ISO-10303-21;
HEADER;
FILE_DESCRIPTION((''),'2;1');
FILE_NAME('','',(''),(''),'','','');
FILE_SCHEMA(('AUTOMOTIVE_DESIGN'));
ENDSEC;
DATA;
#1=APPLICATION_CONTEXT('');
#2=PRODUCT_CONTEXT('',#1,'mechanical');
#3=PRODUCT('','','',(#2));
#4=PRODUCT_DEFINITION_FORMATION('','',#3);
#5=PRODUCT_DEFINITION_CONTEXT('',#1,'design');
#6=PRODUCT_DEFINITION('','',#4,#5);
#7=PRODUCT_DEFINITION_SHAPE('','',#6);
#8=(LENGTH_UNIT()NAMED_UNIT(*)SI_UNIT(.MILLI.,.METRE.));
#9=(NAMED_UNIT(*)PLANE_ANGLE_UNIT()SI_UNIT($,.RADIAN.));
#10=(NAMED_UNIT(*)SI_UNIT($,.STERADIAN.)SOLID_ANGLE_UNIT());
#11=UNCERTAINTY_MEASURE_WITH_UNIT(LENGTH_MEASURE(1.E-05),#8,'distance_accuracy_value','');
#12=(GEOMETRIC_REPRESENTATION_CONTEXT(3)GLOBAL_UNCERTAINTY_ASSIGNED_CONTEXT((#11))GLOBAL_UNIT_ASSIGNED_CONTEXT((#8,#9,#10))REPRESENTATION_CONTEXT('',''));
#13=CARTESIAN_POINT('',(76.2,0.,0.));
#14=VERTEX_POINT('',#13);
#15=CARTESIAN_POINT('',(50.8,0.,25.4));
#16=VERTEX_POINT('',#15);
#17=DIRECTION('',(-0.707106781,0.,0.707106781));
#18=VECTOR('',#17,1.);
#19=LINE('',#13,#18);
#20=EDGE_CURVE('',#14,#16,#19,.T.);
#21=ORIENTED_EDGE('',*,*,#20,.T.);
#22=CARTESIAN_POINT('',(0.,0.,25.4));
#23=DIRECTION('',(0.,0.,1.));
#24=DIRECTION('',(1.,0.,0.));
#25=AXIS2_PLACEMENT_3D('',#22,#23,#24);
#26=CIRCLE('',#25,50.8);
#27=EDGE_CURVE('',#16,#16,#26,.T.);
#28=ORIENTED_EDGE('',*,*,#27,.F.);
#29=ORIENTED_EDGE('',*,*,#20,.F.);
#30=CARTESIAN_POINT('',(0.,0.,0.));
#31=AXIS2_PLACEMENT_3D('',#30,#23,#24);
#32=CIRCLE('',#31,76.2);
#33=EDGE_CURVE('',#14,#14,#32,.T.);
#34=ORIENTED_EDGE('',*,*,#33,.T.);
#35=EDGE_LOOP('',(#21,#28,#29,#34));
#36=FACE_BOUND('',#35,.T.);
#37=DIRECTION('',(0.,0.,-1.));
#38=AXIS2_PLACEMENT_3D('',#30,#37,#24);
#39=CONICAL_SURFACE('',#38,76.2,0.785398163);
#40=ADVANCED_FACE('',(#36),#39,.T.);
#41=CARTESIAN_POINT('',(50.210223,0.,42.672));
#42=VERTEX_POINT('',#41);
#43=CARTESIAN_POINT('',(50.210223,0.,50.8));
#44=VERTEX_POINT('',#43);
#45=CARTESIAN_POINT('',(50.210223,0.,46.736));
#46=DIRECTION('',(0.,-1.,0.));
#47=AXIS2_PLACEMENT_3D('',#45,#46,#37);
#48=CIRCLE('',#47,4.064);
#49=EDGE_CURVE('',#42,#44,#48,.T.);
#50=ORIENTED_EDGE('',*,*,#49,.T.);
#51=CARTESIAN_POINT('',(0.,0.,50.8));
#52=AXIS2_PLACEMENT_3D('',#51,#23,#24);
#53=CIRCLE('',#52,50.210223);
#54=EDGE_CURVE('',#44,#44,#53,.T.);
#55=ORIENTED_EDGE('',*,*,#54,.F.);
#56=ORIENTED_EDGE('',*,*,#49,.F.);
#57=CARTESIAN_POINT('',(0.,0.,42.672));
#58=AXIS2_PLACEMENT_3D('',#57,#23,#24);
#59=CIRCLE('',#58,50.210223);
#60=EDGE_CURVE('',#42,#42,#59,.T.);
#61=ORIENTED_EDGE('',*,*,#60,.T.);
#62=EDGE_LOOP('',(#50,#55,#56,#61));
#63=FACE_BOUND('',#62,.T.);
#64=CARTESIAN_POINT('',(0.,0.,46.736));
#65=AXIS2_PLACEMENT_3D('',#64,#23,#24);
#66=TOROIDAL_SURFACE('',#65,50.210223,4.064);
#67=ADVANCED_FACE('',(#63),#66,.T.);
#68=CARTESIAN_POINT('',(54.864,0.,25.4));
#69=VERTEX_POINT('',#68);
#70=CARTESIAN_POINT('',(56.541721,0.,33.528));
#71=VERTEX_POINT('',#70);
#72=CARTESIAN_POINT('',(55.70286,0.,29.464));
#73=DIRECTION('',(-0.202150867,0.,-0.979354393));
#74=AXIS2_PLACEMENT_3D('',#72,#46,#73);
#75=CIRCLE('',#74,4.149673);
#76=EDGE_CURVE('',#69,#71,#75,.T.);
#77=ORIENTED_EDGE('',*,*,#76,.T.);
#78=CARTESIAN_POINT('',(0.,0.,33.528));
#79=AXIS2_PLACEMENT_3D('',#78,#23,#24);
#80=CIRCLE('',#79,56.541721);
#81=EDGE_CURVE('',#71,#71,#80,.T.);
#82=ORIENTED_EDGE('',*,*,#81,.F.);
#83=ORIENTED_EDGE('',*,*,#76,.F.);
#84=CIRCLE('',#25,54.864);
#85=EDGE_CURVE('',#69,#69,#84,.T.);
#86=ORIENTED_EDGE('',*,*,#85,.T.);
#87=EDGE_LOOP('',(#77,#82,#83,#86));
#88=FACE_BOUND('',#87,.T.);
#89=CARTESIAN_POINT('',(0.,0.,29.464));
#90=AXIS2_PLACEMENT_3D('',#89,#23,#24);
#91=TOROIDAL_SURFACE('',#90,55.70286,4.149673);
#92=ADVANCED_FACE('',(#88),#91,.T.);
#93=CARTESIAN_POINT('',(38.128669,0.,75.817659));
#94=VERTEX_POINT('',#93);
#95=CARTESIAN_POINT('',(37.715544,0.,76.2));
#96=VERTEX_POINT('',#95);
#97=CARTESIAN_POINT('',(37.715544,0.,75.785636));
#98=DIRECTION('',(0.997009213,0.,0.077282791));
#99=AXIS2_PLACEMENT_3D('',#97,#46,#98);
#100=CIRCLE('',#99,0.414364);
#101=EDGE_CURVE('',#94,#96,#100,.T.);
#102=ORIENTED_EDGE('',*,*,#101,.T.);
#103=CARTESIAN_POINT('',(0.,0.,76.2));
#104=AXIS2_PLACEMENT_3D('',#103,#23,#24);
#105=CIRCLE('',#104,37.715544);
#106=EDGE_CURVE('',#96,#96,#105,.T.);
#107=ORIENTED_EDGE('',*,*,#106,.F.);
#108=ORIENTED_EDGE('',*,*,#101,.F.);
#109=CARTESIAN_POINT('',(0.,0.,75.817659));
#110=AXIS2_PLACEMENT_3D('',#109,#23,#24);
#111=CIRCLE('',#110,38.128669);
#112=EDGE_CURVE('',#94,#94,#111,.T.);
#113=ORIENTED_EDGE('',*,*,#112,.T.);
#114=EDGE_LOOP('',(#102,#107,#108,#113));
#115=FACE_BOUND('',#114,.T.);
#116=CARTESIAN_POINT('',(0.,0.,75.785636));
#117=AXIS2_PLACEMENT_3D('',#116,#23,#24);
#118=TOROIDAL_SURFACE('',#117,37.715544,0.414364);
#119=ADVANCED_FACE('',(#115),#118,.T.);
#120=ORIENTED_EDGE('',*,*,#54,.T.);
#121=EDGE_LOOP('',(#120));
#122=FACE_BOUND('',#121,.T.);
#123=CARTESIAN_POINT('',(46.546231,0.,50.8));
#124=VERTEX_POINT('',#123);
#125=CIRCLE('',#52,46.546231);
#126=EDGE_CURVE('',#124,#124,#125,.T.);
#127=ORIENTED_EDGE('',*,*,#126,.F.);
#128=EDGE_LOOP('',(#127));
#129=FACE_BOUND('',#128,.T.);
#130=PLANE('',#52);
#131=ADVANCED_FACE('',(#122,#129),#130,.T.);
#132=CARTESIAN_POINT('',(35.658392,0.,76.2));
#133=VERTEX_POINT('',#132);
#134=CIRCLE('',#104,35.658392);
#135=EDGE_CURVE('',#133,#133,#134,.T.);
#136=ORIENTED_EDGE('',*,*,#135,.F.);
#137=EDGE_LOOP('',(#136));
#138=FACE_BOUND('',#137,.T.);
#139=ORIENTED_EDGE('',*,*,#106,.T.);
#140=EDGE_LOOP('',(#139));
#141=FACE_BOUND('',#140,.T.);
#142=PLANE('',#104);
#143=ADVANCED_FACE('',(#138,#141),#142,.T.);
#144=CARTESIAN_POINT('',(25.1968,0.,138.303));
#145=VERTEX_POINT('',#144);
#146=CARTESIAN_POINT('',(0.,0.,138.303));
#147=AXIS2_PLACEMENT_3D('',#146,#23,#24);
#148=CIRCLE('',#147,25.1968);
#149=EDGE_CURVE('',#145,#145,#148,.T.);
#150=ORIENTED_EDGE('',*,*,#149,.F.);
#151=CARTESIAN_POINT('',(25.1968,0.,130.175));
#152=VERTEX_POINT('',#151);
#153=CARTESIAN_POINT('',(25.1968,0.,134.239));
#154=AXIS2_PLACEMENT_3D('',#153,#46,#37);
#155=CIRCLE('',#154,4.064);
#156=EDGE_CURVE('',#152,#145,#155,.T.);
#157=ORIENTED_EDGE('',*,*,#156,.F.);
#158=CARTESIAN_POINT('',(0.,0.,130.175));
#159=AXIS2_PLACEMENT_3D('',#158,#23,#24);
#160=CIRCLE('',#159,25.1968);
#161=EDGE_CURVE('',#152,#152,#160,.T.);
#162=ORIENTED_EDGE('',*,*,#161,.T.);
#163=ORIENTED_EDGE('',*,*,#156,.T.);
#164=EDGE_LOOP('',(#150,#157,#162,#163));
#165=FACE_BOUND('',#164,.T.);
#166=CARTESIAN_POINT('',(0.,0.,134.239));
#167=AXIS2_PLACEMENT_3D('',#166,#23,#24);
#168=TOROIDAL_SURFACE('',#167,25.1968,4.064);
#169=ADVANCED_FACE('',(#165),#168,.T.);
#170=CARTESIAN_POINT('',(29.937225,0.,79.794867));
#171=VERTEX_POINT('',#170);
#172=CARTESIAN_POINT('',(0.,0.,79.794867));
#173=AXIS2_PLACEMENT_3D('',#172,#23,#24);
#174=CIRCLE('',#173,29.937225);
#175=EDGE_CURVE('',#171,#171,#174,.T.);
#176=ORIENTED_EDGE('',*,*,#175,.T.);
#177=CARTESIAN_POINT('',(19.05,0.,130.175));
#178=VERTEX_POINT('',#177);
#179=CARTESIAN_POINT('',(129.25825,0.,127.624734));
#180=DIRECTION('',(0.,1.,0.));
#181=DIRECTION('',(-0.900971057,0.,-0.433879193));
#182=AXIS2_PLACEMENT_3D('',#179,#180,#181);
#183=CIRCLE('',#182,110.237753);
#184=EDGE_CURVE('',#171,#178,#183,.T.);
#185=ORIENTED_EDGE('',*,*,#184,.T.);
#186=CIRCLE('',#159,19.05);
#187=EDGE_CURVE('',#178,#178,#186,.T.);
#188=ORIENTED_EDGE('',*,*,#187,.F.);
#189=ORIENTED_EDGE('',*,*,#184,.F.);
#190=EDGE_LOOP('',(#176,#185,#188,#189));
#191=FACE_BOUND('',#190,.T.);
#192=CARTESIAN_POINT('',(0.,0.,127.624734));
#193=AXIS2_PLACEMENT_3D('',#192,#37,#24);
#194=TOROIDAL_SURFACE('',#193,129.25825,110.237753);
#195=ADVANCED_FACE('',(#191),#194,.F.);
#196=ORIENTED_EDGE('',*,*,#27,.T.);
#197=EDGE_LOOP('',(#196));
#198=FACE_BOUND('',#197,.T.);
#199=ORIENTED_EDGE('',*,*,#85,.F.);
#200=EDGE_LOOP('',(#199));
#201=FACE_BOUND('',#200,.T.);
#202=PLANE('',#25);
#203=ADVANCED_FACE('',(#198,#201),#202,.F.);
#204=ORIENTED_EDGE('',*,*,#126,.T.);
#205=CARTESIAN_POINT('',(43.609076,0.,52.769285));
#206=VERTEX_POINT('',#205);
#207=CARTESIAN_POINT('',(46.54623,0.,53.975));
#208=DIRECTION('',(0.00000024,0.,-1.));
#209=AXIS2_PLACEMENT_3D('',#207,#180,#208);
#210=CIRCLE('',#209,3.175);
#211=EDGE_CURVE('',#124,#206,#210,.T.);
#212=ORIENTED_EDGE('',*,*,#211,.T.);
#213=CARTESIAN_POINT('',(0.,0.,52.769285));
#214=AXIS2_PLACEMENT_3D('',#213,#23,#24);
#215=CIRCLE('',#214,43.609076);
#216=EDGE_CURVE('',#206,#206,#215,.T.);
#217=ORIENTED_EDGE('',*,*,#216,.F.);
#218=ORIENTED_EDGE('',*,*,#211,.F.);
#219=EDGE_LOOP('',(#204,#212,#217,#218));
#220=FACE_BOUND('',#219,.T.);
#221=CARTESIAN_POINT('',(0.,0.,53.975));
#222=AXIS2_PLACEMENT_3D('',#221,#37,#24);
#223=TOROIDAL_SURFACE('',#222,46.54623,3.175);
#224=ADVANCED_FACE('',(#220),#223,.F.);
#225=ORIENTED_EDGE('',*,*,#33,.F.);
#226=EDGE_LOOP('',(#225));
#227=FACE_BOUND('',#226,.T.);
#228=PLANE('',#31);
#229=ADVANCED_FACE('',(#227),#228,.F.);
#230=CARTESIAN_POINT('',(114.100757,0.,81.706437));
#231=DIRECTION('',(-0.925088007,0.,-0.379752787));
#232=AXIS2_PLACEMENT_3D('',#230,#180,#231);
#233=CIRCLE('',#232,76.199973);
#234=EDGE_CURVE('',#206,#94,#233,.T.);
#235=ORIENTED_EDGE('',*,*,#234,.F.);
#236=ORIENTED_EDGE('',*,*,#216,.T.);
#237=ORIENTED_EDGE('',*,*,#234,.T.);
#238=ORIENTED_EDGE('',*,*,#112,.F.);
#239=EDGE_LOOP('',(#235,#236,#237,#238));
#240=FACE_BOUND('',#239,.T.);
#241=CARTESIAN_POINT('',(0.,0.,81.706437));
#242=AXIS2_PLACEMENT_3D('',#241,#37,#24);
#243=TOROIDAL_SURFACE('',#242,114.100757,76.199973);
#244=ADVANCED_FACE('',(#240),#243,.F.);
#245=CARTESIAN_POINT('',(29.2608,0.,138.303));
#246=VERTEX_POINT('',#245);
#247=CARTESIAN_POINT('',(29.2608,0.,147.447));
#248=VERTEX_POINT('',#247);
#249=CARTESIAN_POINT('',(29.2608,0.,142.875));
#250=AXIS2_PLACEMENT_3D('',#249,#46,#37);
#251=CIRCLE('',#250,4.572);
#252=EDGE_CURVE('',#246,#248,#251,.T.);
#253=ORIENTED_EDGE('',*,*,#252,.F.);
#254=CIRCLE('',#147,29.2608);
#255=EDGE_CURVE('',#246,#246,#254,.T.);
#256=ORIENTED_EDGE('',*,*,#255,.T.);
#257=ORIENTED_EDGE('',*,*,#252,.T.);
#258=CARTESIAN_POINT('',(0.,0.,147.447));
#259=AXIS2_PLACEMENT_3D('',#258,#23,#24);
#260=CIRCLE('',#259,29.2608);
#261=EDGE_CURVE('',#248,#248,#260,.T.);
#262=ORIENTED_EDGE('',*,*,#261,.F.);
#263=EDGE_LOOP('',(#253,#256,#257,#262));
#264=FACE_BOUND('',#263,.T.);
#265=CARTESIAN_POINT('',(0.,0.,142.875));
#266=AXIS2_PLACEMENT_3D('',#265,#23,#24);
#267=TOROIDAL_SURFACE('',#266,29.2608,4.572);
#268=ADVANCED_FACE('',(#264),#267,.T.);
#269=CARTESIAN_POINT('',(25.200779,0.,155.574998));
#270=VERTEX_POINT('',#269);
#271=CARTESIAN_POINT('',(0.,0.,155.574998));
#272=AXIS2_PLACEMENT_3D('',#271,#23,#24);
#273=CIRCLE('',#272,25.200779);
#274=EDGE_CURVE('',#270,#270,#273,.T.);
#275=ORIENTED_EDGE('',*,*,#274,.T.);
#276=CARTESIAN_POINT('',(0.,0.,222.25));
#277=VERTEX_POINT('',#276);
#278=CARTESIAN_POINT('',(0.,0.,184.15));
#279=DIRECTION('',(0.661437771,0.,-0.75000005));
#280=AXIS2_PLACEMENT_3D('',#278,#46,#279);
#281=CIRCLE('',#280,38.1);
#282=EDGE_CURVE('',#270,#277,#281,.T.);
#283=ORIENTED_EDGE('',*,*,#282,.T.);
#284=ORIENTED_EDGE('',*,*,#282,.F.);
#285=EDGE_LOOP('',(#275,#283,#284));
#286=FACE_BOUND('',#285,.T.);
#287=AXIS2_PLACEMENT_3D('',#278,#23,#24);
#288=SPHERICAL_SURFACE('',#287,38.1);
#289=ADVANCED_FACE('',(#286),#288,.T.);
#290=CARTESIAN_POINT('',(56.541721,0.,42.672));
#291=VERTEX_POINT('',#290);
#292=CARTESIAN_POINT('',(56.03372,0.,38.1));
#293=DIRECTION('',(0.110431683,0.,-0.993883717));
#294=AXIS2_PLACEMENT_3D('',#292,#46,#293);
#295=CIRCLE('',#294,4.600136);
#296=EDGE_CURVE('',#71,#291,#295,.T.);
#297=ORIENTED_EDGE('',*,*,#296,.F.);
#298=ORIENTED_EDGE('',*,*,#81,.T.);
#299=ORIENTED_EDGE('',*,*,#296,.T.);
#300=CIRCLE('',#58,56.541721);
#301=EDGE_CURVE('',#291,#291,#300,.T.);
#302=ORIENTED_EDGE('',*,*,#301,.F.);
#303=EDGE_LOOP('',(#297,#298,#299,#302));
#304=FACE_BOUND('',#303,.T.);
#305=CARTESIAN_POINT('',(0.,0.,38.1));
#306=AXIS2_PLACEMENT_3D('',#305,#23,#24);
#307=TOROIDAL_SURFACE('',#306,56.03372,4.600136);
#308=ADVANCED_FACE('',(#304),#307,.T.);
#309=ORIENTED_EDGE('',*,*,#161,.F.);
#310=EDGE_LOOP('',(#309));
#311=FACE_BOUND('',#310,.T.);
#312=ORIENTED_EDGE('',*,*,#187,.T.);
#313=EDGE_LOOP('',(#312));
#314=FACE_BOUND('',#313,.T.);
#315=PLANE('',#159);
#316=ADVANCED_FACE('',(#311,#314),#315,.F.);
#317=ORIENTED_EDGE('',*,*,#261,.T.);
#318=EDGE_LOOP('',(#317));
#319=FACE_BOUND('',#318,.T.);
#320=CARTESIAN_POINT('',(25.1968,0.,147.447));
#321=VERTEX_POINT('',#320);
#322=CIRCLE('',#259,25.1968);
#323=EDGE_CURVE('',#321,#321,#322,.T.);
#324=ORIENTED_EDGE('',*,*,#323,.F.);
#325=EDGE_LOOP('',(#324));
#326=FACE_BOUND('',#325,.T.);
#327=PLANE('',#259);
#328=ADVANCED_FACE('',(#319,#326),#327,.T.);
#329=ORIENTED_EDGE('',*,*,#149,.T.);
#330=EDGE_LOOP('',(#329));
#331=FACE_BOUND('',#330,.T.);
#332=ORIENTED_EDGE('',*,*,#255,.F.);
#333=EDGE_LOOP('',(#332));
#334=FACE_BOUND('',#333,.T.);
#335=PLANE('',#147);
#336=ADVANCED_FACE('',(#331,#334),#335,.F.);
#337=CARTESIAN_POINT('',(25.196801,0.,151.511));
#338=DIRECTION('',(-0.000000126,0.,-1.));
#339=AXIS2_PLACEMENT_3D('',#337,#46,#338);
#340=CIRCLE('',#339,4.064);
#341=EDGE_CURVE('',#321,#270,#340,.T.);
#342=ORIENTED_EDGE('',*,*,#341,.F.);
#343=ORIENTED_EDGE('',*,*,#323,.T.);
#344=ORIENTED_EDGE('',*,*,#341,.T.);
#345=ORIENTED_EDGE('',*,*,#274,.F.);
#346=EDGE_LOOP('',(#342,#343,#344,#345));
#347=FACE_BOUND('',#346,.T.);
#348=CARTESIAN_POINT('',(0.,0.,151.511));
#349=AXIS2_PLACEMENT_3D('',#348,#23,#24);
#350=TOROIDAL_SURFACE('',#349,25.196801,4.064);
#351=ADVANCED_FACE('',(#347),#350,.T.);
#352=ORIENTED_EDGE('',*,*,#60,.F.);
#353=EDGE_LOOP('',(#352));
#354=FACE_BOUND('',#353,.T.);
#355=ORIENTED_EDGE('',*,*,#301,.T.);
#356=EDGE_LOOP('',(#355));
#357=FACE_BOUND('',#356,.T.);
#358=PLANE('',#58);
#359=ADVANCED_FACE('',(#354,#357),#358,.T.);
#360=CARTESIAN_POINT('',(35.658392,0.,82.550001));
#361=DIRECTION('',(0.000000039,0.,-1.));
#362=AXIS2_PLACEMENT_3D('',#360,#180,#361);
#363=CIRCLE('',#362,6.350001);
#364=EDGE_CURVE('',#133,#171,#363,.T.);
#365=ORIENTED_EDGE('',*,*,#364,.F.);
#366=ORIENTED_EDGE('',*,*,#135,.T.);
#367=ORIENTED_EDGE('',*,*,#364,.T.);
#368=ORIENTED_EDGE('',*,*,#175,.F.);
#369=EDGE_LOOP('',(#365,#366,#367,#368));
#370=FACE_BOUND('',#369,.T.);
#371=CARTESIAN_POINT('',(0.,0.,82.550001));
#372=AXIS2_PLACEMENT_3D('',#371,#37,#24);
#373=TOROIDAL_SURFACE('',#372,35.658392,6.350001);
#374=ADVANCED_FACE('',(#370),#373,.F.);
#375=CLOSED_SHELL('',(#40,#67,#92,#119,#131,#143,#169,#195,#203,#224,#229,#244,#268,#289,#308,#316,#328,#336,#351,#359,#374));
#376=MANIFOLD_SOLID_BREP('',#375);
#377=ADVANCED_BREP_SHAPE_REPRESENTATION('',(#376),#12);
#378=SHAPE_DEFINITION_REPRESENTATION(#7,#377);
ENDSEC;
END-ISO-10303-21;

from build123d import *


with BuildPart() as f1:
    # F0 (on Front) → F1 (revolve)
    with BuildSketch(Plane.XZ):
        with BuildLine():
            Line((76.2, 0), (50.8, 25.4))
            Line((50.8, 25.4), (54.864, 25.4))
            ThreePointArc((54.864, 25.4), (59.76686, 28.62514), (56.541721, 33.528))
            ThreePointArc((56.541721, 33.528), (60.633856, 38.1), (56.541721, 42.672))
            Line((56.541721, 42.672), (50.210223, 42.672))
            ThreePointArc((50.210223, 42.672), (54.274223, 46.736), (50.210223, 50.8))
            Line((50.210223, 50.8), (46.546231, 50.8))
            ThreePointArc((46.546231, 50.8), (44.778113, 51.337883), (43.609076, 52.769285))
            ThreePointArc((43.609076, 52.769285), (39.967662, 64.079183), (38.128669, 75.817659))
            ThreePointArc((38.128669, 75.817659), (37.996994, 76.089747), (37.715544, 76.2))
            Line((37.715544, 76.2), (35.658392, 76.2))
            ThreePointArc((35.658392, 76.2), (32.279974, 77.17331), (29.937225, 79.794867))
            ThreePointArc((29.937225, 79.794867), (21.507757, 104.339686), (19.05, 130.175))
            Line((19.05, 130.175), (25.1968, 130.175))
            ThreePointArc((25.1968, 130.175), (29.2608, 134.239), (25.1968, 138.303))
            Line((25.1968, 138.303), (29.2608, 138.303))
            ThreePointArc((29.2608, 138.303), (33.8328, 142.875), (29.2608, 147.447))
            Line((29.2608, 147.447), (25.1968, 147.447))
            ThreePointArc((25.1968, 147.447), (29.2608, 151.50901), (25.200779, 155.574998))
            ThreePointArc((25.200779, 155.574998), (35.639287, 197.620383), (0, 222.25))
            Line((0, 222.25), (0, 0))
            Line((0, 0), (76.2, 0))
        make_face()
    revolve(axis=Axis((0, 0, 111.125), (0, 0, 1)))


solid = f1.part
